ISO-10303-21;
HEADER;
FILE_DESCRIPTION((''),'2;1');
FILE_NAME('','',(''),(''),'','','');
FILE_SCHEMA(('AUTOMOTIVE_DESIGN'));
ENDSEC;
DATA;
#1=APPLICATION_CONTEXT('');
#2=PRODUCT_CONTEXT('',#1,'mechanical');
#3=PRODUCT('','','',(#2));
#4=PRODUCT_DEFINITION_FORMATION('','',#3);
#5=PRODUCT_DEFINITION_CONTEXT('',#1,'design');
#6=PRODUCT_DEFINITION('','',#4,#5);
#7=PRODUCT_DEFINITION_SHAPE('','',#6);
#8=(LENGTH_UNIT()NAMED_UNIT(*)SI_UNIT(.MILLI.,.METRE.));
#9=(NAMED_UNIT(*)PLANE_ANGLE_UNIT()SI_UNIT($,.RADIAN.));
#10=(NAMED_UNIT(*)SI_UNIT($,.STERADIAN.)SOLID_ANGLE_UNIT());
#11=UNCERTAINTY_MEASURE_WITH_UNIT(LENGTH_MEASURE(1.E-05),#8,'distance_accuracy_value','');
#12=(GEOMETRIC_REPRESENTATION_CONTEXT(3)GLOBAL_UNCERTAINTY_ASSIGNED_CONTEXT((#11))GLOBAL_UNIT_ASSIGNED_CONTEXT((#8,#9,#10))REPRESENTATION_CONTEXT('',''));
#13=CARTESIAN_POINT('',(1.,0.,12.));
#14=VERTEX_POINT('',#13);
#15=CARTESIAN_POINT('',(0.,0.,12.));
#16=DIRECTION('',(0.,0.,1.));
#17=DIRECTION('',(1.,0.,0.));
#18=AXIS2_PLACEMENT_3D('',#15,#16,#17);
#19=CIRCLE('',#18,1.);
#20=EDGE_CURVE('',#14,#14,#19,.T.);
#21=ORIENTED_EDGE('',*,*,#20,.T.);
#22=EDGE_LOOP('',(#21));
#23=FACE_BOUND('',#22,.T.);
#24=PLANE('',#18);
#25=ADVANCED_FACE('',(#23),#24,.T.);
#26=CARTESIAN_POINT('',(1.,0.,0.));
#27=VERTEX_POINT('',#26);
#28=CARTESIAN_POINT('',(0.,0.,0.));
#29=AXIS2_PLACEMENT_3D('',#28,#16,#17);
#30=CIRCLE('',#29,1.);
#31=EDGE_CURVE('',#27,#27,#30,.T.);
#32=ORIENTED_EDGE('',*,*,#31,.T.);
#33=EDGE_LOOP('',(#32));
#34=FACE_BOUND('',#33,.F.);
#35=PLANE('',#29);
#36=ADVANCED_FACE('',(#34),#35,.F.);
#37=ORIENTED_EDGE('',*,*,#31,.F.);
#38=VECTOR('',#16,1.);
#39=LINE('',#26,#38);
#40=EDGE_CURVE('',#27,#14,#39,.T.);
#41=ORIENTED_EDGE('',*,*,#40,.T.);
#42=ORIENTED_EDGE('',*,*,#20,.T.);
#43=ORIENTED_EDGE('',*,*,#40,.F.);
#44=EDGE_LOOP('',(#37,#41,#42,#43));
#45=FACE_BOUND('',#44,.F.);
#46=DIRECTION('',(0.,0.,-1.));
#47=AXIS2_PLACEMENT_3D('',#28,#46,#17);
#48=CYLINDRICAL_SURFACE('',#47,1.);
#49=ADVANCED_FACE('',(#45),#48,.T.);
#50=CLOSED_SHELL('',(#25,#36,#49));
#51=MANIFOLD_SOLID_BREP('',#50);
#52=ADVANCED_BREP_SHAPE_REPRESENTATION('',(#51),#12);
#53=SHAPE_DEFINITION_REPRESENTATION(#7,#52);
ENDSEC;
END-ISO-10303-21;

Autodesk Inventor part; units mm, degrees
ref_plane "YZ Plane" through (0, 0, 0) normal (1, 0, 0) x (0, 1, 0)
ref_plane "XZ Plane" through (0, 0, 0) normal (0, 1, 0) x (-1, 0, 0)
ref_plane "XY Plane" through (0, 0, 0) normal (0, 0, 1) x (1, 0, 0)
sketch "スケッチ1" plane through (0, 0, 0) normal (0, 0, 1) x (1, 0, 0)
  circle A0 centre (0, 0) radius 1
  dimension "d0" = 2
extrude "押し出し1" add sketch "スケッチ1" along normal blind 12
properties part number "Shaft_phi2_L10" material "鋼"
